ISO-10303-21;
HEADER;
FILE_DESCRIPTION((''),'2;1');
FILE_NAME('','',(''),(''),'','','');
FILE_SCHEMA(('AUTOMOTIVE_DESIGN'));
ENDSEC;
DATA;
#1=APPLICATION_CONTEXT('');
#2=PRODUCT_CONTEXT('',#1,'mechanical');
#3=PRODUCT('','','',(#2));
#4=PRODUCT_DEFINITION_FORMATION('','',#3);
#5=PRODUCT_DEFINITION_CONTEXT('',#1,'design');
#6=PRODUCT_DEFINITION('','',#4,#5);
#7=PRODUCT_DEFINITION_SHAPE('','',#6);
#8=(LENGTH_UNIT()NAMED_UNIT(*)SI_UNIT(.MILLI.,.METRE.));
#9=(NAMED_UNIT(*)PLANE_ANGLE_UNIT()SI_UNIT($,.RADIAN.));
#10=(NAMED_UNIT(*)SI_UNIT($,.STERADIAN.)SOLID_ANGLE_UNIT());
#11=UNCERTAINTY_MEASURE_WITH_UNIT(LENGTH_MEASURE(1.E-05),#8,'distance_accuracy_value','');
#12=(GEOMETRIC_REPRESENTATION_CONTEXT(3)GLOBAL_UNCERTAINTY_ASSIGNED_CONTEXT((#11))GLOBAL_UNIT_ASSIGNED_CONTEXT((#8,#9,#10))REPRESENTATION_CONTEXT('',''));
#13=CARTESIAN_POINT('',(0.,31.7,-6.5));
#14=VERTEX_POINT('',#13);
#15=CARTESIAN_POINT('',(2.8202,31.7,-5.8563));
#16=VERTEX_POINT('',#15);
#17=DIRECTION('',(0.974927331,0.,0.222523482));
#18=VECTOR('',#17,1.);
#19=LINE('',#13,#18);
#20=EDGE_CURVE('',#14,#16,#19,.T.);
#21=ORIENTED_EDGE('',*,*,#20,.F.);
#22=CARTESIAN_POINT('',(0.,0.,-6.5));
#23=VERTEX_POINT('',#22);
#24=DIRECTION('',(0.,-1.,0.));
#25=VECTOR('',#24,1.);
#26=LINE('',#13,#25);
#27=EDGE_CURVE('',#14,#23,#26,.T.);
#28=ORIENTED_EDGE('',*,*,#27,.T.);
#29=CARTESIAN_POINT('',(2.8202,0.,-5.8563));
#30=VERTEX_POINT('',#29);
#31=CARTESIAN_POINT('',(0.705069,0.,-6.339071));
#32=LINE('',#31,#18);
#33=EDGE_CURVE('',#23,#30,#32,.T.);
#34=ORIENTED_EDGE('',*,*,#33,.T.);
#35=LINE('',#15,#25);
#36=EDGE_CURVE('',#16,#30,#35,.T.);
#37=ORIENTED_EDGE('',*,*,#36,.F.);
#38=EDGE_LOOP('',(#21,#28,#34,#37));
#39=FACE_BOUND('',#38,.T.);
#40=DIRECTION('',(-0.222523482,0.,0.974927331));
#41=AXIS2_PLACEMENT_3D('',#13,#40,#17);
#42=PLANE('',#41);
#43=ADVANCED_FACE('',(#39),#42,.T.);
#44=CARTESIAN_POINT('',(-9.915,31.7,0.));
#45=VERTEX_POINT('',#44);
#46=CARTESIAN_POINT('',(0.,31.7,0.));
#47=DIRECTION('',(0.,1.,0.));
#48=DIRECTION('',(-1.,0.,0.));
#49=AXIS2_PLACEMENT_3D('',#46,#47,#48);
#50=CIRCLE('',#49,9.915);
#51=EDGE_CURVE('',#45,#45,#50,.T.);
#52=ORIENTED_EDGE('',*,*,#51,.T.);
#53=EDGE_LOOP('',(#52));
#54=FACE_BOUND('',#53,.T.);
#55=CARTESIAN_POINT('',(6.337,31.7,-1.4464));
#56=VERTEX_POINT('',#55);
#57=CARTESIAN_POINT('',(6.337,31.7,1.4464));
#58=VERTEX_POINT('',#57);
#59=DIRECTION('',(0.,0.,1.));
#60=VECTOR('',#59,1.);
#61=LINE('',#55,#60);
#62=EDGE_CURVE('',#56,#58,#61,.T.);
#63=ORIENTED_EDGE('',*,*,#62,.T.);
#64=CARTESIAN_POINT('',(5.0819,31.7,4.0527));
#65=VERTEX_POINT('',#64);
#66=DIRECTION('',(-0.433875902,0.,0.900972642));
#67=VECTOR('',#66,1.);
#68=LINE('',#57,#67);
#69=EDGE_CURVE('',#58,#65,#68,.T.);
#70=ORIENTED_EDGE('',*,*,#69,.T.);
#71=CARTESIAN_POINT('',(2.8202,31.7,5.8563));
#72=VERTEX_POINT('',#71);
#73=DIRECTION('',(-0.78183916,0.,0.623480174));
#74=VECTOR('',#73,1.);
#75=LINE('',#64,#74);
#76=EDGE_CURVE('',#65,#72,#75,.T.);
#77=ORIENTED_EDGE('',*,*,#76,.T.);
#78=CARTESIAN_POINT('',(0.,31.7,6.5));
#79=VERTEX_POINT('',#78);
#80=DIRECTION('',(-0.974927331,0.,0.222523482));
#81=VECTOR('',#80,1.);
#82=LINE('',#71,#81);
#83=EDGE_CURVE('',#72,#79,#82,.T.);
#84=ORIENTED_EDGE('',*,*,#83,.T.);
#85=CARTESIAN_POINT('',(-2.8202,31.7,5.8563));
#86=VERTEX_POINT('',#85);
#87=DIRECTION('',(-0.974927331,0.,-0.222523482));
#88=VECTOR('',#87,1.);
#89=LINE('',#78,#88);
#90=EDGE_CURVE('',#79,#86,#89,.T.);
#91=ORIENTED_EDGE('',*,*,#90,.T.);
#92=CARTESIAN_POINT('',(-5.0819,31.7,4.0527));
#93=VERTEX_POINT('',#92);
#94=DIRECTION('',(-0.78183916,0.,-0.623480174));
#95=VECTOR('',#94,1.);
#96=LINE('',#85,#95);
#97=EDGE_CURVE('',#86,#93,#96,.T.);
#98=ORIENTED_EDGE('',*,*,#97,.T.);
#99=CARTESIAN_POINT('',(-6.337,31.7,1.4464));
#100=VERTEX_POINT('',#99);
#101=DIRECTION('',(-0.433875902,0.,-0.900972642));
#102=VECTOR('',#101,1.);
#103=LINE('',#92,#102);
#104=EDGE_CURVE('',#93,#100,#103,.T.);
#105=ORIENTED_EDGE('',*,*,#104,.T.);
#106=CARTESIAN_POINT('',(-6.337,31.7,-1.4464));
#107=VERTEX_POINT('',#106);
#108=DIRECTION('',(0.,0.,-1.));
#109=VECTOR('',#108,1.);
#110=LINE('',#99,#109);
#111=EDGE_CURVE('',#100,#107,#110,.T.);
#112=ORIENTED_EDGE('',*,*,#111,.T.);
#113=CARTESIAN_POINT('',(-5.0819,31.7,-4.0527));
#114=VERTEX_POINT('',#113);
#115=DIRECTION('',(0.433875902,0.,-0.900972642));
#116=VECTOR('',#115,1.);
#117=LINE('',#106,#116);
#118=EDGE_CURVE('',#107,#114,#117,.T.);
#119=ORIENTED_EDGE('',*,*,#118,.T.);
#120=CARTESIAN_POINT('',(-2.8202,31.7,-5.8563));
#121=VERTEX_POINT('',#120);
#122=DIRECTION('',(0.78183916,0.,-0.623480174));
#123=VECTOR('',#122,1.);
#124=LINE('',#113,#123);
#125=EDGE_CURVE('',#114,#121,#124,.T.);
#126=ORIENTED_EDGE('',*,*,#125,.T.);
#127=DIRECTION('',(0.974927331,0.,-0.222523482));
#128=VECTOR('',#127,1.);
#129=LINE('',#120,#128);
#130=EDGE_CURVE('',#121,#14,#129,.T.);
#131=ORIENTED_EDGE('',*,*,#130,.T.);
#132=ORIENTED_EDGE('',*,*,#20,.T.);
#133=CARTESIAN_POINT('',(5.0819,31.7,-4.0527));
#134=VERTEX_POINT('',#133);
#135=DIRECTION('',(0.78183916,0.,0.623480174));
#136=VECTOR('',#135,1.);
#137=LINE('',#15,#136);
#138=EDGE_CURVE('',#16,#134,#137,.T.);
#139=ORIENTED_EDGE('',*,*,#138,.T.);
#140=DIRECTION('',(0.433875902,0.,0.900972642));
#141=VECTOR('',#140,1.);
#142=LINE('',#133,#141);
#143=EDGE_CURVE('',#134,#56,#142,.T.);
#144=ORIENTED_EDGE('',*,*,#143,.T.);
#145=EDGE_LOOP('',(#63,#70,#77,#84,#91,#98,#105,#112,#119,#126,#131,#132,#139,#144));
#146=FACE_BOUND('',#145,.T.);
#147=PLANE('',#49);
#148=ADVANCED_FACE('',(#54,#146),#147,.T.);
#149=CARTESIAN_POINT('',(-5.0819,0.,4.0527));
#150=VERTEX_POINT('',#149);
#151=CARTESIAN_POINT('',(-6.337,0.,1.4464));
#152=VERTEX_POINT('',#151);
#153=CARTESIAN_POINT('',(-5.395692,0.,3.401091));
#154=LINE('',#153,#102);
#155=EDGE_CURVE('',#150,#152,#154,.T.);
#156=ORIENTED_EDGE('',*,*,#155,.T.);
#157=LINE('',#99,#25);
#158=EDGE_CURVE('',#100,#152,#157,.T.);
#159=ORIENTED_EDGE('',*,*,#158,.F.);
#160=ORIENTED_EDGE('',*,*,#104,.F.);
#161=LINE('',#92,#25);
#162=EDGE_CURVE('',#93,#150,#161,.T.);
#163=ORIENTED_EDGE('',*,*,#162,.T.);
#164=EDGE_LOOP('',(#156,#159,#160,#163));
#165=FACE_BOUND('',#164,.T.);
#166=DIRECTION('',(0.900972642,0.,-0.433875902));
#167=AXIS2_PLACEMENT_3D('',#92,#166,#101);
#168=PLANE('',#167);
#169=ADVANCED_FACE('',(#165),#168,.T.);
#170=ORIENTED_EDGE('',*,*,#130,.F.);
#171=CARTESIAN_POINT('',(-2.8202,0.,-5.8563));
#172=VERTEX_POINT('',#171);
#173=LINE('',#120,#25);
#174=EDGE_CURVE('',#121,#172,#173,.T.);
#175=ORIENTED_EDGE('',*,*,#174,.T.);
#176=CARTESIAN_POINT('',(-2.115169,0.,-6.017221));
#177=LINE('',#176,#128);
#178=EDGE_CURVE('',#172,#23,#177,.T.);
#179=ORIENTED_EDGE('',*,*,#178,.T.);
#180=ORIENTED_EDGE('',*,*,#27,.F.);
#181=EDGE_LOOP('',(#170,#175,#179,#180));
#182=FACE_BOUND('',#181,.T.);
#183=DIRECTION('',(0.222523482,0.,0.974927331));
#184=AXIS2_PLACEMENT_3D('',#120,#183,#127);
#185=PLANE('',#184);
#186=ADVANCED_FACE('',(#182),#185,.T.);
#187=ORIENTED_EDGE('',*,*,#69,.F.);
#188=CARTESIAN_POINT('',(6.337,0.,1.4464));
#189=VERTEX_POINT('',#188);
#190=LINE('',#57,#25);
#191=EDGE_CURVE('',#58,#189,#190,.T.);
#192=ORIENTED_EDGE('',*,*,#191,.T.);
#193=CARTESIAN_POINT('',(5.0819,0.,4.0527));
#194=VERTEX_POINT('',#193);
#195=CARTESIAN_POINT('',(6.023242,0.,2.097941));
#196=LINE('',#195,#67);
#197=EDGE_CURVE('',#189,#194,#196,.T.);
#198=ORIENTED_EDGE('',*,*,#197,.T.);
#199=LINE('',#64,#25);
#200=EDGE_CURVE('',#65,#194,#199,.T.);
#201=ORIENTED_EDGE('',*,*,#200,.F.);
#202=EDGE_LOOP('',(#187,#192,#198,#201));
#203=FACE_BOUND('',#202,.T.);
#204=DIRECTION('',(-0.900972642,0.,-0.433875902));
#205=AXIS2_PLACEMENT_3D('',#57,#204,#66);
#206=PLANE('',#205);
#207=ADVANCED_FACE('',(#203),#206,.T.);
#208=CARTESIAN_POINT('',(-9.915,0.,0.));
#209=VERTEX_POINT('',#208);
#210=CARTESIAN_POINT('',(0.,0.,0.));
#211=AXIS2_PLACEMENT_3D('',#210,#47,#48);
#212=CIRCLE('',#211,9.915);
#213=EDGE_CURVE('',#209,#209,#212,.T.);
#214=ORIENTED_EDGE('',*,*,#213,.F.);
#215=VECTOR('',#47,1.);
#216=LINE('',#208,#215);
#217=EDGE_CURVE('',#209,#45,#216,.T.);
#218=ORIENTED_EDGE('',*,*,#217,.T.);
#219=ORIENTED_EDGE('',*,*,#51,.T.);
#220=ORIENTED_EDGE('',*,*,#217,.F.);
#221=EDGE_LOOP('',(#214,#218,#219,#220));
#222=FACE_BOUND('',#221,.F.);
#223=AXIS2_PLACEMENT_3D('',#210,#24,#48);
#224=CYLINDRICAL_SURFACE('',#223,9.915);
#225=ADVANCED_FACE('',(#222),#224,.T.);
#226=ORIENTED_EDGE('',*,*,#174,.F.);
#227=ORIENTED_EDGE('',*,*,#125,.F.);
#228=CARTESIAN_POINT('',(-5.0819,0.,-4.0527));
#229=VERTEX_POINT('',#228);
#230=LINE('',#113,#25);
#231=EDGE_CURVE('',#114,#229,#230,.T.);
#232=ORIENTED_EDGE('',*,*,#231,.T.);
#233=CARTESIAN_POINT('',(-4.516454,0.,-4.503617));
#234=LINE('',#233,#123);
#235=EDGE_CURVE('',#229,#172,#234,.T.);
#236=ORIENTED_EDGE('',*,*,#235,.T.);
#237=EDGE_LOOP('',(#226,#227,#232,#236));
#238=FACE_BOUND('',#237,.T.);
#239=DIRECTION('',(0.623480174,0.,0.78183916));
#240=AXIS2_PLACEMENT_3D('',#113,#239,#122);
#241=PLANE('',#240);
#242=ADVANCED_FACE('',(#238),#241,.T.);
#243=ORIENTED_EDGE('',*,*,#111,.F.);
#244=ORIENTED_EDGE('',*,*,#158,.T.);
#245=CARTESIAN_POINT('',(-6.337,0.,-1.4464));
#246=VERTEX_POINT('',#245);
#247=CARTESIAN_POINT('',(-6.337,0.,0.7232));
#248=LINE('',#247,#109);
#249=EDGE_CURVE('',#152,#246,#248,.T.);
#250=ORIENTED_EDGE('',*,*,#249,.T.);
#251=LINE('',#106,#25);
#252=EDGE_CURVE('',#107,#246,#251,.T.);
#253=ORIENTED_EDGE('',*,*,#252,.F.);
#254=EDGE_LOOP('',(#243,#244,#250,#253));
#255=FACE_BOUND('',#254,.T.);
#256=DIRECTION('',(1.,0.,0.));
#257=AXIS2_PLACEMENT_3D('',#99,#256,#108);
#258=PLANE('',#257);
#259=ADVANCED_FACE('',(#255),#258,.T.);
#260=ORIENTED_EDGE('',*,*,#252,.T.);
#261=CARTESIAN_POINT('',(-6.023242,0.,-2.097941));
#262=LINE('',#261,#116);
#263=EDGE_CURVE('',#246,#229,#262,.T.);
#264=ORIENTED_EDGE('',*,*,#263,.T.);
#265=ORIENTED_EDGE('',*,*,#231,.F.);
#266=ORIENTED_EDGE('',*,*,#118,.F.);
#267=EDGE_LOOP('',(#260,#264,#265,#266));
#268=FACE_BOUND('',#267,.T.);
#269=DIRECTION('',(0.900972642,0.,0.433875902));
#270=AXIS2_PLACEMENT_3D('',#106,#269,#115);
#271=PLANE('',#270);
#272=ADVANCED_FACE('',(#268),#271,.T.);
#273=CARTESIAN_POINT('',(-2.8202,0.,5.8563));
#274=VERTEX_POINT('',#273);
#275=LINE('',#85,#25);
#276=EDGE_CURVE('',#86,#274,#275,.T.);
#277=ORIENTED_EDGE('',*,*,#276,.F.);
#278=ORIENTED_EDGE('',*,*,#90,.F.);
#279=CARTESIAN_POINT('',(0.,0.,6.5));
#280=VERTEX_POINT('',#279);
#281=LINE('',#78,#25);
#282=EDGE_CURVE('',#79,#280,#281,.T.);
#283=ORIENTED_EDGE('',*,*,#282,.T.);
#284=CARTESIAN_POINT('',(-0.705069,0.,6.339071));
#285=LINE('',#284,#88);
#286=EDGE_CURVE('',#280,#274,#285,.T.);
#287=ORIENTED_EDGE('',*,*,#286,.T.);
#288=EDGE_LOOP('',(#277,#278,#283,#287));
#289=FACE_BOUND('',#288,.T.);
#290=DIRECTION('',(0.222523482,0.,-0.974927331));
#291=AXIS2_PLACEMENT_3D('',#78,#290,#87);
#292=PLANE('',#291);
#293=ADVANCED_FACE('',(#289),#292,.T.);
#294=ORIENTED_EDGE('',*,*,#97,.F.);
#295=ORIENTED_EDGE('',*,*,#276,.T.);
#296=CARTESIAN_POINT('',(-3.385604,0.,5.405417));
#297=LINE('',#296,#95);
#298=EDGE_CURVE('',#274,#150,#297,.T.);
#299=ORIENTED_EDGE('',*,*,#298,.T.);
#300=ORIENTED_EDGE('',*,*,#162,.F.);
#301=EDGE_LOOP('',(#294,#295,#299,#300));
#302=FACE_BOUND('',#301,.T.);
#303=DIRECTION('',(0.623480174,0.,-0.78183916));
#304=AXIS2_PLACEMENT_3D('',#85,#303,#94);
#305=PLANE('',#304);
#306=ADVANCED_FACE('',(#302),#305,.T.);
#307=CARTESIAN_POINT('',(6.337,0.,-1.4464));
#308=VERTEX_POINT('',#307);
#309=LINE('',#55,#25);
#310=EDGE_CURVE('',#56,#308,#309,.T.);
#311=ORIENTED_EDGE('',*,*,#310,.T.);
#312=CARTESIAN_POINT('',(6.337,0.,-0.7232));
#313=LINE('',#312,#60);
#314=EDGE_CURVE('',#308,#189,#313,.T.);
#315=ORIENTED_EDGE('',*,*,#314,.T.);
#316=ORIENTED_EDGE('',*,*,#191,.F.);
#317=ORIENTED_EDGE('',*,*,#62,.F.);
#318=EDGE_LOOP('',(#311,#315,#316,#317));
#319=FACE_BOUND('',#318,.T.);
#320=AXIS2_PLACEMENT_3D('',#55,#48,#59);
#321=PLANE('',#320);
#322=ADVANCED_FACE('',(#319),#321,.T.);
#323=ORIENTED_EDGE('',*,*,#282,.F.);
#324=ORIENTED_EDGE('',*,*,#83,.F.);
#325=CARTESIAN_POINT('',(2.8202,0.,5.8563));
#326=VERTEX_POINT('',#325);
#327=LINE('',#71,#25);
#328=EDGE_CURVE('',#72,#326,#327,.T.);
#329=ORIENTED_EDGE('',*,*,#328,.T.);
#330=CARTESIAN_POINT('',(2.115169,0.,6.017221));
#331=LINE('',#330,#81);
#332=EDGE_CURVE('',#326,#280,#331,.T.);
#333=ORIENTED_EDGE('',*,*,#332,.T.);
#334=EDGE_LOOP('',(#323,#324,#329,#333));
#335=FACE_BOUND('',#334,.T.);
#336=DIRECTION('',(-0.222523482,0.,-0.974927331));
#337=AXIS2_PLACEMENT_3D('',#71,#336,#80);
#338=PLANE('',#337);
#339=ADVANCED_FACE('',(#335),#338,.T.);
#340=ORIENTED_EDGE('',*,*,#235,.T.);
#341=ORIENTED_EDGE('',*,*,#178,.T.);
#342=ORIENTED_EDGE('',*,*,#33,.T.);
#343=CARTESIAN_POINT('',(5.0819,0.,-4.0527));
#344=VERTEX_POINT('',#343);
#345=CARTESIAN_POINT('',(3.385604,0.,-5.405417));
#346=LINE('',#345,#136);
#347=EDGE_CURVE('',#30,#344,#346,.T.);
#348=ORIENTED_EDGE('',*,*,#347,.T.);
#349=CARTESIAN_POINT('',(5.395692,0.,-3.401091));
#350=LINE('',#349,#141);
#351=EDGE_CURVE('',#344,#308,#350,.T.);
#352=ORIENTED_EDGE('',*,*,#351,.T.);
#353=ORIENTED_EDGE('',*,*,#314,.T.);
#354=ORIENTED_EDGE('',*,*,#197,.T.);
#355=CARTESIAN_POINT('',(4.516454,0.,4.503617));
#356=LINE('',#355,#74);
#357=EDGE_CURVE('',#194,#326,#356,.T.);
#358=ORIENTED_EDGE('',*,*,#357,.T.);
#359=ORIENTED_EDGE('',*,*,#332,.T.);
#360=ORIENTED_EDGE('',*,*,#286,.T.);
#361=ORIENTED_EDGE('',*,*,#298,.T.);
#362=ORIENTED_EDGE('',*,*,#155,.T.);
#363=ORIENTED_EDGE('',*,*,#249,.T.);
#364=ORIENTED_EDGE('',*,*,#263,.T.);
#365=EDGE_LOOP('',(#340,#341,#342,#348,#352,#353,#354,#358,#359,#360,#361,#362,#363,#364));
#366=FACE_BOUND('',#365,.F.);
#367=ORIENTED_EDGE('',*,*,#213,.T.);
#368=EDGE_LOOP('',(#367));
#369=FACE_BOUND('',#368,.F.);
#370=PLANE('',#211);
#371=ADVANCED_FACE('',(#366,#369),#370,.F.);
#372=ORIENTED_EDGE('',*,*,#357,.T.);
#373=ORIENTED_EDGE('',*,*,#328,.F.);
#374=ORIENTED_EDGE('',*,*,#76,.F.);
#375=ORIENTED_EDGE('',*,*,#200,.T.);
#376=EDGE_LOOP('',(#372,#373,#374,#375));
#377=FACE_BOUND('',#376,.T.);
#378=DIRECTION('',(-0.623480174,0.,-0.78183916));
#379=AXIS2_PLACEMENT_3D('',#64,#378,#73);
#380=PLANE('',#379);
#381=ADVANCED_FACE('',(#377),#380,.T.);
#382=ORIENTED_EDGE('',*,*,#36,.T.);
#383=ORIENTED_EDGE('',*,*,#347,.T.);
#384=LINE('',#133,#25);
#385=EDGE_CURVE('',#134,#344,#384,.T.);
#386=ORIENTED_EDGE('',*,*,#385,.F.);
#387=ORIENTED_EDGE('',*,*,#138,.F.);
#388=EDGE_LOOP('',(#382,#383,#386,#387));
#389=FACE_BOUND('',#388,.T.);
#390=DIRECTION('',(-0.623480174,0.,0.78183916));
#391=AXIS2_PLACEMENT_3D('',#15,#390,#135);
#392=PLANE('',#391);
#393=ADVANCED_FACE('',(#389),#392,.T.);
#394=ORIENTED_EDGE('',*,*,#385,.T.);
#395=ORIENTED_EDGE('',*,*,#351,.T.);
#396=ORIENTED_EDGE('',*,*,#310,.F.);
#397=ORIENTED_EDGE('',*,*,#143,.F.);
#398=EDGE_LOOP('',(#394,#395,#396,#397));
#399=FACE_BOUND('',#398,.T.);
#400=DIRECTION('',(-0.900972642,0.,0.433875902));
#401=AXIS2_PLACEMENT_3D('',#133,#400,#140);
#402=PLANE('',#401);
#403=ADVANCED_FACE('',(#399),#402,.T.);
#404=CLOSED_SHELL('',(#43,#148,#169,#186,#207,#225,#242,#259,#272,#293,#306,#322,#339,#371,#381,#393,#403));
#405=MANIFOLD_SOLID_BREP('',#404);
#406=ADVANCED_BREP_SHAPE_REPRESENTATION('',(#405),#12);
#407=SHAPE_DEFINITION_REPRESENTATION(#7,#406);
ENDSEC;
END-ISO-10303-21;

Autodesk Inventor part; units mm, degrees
ref_plane "YZ Plane" through (0, 0, 0) normal (1, 0, 0) x (0, 1, 0)
ref_plane "XZ Plane" through (0, 0, 0) normal (0, 1, 0) x (-1, 0, 0)
ref_plane "XY Plane" through (0, 0, 0) normal (0, 0, 1) x (1, 0, 0)
sketch "Szkic1" plane through (0, 0, 0) normal (0, 1, 0) x (-1, 0, 0)
  circle A0 centre (0, 0) radius 9.915
extrude "Wyciągnięcie proste1" add sketch "Szkic1" along normal blind 31.7
sketch "Szkic2" plane through (0, 31.7, 0) normal (0, 1, 0) x (1, 0, 0)
  point P0 (0, 0)
sketch "Szkic3" plane through (0, 31.7, 0) normal (0, 1, 0) x (1, 0, 0)
  point P0 (0, 0)
sketch "Szkic4" plane through (0, 31.7, 0) normal (0, 1, 0) x (1, 0, 0)
  line L0 (6.337, -1.4464) -> (5.0819, -4.0527)
  line L1 (5.0819, -4.0527) -> (2.8202, -5.8563)
  line L2 (2.8202, -5.8563) -> (0, -6.5)
  line L3 (0, -6.5) -> (-2.8202, -5.8563)
  line L4 (-2.8202, -5.8563) -> (-5.0819, -4.0527)
  line L5 (-5.0819, -4.0527) -> (-6.337, -1.4464)
  line L6 (-6.337, -1.4464) -> (-6.337, 1.4464)
  line L7 (-6.337, 1.4464) -> (-5.0819, 4.0527)
  line L8 (-5.0819, 4.0527) -> (-2.8202, 5.8563)
  line L9 (-2.8202, 5.8563) -> (0, 6.5)
  line L10 (0, 6.5) -> (2.8202, 5.8563)
  line L11 (2.8202, 5.8563) -> (5.0819, 4.0527)
  line L12 (5.0819, 4.0527) -> (6.337, 1.4464)
  line L13 (6.337, 1.4464) -> (6.337, -1.4464)
  point P0 (0, 0)
  point P1 (0, 0)
  dimension "d2" = 6.5
extrude "Wyciągnięcie proste2" cut sketch "Szkic4" against normal blind 40
properties part number "spool_motor"
